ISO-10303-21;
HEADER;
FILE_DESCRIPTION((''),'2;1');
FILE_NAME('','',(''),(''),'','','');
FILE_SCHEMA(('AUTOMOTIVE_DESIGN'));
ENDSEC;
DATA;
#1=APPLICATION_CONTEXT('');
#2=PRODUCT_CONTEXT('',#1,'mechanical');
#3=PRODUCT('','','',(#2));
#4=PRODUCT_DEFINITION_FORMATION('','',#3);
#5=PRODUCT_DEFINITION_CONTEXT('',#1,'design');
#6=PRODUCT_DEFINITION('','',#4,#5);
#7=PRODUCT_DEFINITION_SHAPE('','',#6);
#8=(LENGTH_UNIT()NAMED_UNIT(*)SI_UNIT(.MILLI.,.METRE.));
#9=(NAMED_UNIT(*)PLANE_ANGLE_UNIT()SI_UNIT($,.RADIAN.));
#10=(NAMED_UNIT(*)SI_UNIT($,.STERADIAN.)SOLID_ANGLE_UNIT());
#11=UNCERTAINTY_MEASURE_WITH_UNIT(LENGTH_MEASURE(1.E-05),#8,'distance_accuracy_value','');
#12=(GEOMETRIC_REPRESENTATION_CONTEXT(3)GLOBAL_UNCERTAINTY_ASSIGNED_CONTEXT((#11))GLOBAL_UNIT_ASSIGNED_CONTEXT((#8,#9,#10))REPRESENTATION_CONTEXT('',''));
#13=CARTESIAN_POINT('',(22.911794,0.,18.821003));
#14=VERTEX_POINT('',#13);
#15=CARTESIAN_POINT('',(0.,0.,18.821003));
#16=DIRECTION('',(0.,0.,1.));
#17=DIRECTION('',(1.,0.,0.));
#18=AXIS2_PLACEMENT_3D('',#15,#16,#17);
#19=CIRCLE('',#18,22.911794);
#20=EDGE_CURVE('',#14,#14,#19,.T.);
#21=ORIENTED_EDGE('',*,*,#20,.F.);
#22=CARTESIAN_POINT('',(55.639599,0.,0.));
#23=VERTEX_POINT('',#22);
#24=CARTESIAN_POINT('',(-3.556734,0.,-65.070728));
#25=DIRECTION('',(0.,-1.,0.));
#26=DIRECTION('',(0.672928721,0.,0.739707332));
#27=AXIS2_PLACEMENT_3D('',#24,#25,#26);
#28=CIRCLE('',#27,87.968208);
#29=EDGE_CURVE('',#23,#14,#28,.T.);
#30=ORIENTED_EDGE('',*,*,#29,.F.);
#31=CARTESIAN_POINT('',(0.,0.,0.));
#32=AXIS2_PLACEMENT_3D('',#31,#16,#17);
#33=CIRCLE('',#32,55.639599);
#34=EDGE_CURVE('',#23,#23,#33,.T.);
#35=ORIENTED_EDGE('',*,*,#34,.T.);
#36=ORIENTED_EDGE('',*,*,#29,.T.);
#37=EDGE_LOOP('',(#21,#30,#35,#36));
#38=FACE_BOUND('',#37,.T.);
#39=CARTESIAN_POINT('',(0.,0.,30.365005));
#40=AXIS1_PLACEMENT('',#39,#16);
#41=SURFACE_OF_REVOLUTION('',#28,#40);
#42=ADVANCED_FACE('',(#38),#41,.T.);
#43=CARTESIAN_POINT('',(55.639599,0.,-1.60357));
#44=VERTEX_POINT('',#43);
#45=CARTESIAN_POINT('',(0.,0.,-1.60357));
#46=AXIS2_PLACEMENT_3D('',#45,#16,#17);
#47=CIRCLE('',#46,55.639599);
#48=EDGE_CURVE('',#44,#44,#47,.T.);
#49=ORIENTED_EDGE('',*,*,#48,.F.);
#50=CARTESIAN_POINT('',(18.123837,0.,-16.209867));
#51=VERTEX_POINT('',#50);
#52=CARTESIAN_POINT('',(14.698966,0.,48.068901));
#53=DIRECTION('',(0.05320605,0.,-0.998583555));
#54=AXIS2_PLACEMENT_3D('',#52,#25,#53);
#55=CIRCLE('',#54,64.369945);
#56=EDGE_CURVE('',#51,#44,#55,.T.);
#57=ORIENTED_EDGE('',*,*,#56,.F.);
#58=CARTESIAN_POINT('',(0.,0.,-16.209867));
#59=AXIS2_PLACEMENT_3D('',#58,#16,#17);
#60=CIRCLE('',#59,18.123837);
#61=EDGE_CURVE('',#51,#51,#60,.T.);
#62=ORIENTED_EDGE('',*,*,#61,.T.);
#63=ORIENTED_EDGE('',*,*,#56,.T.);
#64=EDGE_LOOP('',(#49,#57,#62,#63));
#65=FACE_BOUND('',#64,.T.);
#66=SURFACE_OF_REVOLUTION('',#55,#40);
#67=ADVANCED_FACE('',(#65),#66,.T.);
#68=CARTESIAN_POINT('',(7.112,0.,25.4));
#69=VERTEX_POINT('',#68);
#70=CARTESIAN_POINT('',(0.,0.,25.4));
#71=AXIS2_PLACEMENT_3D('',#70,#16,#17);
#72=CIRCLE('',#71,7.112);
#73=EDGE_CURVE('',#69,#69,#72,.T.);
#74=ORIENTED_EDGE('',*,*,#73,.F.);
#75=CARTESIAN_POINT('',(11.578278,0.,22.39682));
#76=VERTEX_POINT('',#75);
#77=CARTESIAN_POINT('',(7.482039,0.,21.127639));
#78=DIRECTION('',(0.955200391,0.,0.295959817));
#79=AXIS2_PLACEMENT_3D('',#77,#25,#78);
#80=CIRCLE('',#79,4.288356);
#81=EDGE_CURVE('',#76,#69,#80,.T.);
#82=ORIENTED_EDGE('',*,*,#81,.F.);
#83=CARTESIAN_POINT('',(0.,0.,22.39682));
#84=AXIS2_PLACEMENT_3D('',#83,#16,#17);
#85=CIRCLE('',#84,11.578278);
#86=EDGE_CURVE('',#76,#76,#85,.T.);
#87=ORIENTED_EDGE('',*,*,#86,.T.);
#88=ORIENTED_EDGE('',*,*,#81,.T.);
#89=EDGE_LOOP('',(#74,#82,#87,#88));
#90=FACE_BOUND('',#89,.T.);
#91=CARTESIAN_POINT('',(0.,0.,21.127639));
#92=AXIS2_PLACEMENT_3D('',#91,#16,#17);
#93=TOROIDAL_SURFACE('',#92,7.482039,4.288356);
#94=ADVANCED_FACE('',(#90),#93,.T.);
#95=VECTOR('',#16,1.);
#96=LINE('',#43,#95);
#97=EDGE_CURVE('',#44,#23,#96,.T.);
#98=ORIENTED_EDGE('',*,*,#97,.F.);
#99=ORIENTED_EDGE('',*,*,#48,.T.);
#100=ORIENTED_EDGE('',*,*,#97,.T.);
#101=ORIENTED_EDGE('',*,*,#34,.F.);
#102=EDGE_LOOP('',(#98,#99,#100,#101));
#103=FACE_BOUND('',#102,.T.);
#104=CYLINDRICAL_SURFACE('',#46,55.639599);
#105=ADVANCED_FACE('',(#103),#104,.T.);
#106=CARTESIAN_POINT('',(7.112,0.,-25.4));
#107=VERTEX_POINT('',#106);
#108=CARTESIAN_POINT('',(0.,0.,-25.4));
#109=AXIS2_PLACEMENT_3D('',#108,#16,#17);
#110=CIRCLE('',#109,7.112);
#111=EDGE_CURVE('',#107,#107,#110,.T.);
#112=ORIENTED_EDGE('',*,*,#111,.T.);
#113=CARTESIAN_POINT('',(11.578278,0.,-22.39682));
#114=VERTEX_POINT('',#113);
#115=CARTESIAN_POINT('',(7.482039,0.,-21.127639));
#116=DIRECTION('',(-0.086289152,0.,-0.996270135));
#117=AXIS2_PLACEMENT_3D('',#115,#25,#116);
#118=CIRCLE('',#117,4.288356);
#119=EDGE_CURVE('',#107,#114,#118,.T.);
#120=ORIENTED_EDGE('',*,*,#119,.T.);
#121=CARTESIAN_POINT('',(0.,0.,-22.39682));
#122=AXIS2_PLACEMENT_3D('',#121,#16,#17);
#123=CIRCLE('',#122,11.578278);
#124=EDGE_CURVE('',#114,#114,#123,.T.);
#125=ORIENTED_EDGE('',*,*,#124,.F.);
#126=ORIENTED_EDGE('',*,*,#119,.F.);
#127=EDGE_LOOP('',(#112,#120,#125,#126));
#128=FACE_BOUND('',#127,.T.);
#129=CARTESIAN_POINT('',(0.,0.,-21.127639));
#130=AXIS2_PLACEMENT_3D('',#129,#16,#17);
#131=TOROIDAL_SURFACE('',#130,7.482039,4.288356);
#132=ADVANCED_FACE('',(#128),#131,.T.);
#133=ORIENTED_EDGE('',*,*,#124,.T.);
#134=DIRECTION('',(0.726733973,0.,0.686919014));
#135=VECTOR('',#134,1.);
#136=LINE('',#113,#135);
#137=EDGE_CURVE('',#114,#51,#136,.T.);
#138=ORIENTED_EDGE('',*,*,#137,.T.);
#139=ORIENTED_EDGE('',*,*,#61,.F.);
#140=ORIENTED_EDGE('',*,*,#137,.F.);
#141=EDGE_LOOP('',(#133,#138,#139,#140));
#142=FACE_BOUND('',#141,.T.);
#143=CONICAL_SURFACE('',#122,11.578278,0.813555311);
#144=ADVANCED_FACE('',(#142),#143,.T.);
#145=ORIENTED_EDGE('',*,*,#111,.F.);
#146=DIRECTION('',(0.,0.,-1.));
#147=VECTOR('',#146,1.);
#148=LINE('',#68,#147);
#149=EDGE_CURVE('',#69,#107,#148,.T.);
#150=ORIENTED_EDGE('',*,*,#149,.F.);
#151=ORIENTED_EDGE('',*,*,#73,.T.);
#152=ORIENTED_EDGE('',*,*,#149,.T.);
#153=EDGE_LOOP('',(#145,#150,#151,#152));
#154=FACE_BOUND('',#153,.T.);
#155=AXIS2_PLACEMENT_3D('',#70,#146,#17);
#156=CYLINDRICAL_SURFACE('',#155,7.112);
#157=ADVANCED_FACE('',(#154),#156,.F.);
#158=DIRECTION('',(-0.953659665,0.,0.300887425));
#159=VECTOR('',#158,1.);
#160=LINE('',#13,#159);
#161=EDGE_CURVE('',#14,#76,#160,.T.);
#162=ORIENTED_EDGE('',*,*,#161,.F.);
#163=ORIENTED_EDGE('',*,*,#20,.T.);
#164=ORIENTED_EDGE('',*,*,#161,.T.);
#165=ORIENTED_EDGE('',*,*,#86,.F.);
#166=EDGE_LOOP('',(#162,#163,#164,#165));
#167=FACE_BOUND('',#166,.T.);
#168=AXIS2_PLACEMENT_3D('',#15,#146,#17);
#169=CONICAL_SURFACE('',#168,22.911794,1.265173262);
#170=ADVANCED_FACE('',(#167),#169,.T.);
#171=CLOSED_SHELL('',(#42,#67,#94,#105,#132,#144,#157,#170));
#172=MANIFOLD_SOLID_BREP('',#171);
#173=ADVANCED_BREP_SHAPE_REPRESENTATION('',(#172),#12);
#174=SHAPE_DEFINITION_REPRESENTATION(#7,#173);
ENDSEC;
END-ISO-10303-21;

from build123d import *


with BuildPart() as f1:
    # F0 (on Front) → F1 (revolve)
    with BuildSketch(Plane.XZ):
        with BuildLine():
            Line((7.112, 25.4), (7.112, 0))
            Line((7.112, 0), (7.112, -25.4))
            ThreePointArc((7.112, -25.4), (9.874927, -24.686302), (11.578278, -22.39682))
            Line((11.578278, -22.39682), (18.123837, -16.209867))
            ThreePointArc((18.123837, -16.209867), (38.052991, -11.915091), (55.639599, -1.60357))
            Line((55.639599, -1.60357), (55.639599, 0))
            ThreePointArc((55.639599, 0), (40.297281, 11.186933), (22.911794, 18.821003))
            Line((22.911794, 18.821003), (11.578278, 22.39682))
            ThreePointArc((11.578278, 22.39682), (9.874927, 24.686302), (7.112, 25.4))
        make_face()
    revolve(axis=Axis((0, 0, 30.365005), (0, 0, 1)))


solid = f1.part
